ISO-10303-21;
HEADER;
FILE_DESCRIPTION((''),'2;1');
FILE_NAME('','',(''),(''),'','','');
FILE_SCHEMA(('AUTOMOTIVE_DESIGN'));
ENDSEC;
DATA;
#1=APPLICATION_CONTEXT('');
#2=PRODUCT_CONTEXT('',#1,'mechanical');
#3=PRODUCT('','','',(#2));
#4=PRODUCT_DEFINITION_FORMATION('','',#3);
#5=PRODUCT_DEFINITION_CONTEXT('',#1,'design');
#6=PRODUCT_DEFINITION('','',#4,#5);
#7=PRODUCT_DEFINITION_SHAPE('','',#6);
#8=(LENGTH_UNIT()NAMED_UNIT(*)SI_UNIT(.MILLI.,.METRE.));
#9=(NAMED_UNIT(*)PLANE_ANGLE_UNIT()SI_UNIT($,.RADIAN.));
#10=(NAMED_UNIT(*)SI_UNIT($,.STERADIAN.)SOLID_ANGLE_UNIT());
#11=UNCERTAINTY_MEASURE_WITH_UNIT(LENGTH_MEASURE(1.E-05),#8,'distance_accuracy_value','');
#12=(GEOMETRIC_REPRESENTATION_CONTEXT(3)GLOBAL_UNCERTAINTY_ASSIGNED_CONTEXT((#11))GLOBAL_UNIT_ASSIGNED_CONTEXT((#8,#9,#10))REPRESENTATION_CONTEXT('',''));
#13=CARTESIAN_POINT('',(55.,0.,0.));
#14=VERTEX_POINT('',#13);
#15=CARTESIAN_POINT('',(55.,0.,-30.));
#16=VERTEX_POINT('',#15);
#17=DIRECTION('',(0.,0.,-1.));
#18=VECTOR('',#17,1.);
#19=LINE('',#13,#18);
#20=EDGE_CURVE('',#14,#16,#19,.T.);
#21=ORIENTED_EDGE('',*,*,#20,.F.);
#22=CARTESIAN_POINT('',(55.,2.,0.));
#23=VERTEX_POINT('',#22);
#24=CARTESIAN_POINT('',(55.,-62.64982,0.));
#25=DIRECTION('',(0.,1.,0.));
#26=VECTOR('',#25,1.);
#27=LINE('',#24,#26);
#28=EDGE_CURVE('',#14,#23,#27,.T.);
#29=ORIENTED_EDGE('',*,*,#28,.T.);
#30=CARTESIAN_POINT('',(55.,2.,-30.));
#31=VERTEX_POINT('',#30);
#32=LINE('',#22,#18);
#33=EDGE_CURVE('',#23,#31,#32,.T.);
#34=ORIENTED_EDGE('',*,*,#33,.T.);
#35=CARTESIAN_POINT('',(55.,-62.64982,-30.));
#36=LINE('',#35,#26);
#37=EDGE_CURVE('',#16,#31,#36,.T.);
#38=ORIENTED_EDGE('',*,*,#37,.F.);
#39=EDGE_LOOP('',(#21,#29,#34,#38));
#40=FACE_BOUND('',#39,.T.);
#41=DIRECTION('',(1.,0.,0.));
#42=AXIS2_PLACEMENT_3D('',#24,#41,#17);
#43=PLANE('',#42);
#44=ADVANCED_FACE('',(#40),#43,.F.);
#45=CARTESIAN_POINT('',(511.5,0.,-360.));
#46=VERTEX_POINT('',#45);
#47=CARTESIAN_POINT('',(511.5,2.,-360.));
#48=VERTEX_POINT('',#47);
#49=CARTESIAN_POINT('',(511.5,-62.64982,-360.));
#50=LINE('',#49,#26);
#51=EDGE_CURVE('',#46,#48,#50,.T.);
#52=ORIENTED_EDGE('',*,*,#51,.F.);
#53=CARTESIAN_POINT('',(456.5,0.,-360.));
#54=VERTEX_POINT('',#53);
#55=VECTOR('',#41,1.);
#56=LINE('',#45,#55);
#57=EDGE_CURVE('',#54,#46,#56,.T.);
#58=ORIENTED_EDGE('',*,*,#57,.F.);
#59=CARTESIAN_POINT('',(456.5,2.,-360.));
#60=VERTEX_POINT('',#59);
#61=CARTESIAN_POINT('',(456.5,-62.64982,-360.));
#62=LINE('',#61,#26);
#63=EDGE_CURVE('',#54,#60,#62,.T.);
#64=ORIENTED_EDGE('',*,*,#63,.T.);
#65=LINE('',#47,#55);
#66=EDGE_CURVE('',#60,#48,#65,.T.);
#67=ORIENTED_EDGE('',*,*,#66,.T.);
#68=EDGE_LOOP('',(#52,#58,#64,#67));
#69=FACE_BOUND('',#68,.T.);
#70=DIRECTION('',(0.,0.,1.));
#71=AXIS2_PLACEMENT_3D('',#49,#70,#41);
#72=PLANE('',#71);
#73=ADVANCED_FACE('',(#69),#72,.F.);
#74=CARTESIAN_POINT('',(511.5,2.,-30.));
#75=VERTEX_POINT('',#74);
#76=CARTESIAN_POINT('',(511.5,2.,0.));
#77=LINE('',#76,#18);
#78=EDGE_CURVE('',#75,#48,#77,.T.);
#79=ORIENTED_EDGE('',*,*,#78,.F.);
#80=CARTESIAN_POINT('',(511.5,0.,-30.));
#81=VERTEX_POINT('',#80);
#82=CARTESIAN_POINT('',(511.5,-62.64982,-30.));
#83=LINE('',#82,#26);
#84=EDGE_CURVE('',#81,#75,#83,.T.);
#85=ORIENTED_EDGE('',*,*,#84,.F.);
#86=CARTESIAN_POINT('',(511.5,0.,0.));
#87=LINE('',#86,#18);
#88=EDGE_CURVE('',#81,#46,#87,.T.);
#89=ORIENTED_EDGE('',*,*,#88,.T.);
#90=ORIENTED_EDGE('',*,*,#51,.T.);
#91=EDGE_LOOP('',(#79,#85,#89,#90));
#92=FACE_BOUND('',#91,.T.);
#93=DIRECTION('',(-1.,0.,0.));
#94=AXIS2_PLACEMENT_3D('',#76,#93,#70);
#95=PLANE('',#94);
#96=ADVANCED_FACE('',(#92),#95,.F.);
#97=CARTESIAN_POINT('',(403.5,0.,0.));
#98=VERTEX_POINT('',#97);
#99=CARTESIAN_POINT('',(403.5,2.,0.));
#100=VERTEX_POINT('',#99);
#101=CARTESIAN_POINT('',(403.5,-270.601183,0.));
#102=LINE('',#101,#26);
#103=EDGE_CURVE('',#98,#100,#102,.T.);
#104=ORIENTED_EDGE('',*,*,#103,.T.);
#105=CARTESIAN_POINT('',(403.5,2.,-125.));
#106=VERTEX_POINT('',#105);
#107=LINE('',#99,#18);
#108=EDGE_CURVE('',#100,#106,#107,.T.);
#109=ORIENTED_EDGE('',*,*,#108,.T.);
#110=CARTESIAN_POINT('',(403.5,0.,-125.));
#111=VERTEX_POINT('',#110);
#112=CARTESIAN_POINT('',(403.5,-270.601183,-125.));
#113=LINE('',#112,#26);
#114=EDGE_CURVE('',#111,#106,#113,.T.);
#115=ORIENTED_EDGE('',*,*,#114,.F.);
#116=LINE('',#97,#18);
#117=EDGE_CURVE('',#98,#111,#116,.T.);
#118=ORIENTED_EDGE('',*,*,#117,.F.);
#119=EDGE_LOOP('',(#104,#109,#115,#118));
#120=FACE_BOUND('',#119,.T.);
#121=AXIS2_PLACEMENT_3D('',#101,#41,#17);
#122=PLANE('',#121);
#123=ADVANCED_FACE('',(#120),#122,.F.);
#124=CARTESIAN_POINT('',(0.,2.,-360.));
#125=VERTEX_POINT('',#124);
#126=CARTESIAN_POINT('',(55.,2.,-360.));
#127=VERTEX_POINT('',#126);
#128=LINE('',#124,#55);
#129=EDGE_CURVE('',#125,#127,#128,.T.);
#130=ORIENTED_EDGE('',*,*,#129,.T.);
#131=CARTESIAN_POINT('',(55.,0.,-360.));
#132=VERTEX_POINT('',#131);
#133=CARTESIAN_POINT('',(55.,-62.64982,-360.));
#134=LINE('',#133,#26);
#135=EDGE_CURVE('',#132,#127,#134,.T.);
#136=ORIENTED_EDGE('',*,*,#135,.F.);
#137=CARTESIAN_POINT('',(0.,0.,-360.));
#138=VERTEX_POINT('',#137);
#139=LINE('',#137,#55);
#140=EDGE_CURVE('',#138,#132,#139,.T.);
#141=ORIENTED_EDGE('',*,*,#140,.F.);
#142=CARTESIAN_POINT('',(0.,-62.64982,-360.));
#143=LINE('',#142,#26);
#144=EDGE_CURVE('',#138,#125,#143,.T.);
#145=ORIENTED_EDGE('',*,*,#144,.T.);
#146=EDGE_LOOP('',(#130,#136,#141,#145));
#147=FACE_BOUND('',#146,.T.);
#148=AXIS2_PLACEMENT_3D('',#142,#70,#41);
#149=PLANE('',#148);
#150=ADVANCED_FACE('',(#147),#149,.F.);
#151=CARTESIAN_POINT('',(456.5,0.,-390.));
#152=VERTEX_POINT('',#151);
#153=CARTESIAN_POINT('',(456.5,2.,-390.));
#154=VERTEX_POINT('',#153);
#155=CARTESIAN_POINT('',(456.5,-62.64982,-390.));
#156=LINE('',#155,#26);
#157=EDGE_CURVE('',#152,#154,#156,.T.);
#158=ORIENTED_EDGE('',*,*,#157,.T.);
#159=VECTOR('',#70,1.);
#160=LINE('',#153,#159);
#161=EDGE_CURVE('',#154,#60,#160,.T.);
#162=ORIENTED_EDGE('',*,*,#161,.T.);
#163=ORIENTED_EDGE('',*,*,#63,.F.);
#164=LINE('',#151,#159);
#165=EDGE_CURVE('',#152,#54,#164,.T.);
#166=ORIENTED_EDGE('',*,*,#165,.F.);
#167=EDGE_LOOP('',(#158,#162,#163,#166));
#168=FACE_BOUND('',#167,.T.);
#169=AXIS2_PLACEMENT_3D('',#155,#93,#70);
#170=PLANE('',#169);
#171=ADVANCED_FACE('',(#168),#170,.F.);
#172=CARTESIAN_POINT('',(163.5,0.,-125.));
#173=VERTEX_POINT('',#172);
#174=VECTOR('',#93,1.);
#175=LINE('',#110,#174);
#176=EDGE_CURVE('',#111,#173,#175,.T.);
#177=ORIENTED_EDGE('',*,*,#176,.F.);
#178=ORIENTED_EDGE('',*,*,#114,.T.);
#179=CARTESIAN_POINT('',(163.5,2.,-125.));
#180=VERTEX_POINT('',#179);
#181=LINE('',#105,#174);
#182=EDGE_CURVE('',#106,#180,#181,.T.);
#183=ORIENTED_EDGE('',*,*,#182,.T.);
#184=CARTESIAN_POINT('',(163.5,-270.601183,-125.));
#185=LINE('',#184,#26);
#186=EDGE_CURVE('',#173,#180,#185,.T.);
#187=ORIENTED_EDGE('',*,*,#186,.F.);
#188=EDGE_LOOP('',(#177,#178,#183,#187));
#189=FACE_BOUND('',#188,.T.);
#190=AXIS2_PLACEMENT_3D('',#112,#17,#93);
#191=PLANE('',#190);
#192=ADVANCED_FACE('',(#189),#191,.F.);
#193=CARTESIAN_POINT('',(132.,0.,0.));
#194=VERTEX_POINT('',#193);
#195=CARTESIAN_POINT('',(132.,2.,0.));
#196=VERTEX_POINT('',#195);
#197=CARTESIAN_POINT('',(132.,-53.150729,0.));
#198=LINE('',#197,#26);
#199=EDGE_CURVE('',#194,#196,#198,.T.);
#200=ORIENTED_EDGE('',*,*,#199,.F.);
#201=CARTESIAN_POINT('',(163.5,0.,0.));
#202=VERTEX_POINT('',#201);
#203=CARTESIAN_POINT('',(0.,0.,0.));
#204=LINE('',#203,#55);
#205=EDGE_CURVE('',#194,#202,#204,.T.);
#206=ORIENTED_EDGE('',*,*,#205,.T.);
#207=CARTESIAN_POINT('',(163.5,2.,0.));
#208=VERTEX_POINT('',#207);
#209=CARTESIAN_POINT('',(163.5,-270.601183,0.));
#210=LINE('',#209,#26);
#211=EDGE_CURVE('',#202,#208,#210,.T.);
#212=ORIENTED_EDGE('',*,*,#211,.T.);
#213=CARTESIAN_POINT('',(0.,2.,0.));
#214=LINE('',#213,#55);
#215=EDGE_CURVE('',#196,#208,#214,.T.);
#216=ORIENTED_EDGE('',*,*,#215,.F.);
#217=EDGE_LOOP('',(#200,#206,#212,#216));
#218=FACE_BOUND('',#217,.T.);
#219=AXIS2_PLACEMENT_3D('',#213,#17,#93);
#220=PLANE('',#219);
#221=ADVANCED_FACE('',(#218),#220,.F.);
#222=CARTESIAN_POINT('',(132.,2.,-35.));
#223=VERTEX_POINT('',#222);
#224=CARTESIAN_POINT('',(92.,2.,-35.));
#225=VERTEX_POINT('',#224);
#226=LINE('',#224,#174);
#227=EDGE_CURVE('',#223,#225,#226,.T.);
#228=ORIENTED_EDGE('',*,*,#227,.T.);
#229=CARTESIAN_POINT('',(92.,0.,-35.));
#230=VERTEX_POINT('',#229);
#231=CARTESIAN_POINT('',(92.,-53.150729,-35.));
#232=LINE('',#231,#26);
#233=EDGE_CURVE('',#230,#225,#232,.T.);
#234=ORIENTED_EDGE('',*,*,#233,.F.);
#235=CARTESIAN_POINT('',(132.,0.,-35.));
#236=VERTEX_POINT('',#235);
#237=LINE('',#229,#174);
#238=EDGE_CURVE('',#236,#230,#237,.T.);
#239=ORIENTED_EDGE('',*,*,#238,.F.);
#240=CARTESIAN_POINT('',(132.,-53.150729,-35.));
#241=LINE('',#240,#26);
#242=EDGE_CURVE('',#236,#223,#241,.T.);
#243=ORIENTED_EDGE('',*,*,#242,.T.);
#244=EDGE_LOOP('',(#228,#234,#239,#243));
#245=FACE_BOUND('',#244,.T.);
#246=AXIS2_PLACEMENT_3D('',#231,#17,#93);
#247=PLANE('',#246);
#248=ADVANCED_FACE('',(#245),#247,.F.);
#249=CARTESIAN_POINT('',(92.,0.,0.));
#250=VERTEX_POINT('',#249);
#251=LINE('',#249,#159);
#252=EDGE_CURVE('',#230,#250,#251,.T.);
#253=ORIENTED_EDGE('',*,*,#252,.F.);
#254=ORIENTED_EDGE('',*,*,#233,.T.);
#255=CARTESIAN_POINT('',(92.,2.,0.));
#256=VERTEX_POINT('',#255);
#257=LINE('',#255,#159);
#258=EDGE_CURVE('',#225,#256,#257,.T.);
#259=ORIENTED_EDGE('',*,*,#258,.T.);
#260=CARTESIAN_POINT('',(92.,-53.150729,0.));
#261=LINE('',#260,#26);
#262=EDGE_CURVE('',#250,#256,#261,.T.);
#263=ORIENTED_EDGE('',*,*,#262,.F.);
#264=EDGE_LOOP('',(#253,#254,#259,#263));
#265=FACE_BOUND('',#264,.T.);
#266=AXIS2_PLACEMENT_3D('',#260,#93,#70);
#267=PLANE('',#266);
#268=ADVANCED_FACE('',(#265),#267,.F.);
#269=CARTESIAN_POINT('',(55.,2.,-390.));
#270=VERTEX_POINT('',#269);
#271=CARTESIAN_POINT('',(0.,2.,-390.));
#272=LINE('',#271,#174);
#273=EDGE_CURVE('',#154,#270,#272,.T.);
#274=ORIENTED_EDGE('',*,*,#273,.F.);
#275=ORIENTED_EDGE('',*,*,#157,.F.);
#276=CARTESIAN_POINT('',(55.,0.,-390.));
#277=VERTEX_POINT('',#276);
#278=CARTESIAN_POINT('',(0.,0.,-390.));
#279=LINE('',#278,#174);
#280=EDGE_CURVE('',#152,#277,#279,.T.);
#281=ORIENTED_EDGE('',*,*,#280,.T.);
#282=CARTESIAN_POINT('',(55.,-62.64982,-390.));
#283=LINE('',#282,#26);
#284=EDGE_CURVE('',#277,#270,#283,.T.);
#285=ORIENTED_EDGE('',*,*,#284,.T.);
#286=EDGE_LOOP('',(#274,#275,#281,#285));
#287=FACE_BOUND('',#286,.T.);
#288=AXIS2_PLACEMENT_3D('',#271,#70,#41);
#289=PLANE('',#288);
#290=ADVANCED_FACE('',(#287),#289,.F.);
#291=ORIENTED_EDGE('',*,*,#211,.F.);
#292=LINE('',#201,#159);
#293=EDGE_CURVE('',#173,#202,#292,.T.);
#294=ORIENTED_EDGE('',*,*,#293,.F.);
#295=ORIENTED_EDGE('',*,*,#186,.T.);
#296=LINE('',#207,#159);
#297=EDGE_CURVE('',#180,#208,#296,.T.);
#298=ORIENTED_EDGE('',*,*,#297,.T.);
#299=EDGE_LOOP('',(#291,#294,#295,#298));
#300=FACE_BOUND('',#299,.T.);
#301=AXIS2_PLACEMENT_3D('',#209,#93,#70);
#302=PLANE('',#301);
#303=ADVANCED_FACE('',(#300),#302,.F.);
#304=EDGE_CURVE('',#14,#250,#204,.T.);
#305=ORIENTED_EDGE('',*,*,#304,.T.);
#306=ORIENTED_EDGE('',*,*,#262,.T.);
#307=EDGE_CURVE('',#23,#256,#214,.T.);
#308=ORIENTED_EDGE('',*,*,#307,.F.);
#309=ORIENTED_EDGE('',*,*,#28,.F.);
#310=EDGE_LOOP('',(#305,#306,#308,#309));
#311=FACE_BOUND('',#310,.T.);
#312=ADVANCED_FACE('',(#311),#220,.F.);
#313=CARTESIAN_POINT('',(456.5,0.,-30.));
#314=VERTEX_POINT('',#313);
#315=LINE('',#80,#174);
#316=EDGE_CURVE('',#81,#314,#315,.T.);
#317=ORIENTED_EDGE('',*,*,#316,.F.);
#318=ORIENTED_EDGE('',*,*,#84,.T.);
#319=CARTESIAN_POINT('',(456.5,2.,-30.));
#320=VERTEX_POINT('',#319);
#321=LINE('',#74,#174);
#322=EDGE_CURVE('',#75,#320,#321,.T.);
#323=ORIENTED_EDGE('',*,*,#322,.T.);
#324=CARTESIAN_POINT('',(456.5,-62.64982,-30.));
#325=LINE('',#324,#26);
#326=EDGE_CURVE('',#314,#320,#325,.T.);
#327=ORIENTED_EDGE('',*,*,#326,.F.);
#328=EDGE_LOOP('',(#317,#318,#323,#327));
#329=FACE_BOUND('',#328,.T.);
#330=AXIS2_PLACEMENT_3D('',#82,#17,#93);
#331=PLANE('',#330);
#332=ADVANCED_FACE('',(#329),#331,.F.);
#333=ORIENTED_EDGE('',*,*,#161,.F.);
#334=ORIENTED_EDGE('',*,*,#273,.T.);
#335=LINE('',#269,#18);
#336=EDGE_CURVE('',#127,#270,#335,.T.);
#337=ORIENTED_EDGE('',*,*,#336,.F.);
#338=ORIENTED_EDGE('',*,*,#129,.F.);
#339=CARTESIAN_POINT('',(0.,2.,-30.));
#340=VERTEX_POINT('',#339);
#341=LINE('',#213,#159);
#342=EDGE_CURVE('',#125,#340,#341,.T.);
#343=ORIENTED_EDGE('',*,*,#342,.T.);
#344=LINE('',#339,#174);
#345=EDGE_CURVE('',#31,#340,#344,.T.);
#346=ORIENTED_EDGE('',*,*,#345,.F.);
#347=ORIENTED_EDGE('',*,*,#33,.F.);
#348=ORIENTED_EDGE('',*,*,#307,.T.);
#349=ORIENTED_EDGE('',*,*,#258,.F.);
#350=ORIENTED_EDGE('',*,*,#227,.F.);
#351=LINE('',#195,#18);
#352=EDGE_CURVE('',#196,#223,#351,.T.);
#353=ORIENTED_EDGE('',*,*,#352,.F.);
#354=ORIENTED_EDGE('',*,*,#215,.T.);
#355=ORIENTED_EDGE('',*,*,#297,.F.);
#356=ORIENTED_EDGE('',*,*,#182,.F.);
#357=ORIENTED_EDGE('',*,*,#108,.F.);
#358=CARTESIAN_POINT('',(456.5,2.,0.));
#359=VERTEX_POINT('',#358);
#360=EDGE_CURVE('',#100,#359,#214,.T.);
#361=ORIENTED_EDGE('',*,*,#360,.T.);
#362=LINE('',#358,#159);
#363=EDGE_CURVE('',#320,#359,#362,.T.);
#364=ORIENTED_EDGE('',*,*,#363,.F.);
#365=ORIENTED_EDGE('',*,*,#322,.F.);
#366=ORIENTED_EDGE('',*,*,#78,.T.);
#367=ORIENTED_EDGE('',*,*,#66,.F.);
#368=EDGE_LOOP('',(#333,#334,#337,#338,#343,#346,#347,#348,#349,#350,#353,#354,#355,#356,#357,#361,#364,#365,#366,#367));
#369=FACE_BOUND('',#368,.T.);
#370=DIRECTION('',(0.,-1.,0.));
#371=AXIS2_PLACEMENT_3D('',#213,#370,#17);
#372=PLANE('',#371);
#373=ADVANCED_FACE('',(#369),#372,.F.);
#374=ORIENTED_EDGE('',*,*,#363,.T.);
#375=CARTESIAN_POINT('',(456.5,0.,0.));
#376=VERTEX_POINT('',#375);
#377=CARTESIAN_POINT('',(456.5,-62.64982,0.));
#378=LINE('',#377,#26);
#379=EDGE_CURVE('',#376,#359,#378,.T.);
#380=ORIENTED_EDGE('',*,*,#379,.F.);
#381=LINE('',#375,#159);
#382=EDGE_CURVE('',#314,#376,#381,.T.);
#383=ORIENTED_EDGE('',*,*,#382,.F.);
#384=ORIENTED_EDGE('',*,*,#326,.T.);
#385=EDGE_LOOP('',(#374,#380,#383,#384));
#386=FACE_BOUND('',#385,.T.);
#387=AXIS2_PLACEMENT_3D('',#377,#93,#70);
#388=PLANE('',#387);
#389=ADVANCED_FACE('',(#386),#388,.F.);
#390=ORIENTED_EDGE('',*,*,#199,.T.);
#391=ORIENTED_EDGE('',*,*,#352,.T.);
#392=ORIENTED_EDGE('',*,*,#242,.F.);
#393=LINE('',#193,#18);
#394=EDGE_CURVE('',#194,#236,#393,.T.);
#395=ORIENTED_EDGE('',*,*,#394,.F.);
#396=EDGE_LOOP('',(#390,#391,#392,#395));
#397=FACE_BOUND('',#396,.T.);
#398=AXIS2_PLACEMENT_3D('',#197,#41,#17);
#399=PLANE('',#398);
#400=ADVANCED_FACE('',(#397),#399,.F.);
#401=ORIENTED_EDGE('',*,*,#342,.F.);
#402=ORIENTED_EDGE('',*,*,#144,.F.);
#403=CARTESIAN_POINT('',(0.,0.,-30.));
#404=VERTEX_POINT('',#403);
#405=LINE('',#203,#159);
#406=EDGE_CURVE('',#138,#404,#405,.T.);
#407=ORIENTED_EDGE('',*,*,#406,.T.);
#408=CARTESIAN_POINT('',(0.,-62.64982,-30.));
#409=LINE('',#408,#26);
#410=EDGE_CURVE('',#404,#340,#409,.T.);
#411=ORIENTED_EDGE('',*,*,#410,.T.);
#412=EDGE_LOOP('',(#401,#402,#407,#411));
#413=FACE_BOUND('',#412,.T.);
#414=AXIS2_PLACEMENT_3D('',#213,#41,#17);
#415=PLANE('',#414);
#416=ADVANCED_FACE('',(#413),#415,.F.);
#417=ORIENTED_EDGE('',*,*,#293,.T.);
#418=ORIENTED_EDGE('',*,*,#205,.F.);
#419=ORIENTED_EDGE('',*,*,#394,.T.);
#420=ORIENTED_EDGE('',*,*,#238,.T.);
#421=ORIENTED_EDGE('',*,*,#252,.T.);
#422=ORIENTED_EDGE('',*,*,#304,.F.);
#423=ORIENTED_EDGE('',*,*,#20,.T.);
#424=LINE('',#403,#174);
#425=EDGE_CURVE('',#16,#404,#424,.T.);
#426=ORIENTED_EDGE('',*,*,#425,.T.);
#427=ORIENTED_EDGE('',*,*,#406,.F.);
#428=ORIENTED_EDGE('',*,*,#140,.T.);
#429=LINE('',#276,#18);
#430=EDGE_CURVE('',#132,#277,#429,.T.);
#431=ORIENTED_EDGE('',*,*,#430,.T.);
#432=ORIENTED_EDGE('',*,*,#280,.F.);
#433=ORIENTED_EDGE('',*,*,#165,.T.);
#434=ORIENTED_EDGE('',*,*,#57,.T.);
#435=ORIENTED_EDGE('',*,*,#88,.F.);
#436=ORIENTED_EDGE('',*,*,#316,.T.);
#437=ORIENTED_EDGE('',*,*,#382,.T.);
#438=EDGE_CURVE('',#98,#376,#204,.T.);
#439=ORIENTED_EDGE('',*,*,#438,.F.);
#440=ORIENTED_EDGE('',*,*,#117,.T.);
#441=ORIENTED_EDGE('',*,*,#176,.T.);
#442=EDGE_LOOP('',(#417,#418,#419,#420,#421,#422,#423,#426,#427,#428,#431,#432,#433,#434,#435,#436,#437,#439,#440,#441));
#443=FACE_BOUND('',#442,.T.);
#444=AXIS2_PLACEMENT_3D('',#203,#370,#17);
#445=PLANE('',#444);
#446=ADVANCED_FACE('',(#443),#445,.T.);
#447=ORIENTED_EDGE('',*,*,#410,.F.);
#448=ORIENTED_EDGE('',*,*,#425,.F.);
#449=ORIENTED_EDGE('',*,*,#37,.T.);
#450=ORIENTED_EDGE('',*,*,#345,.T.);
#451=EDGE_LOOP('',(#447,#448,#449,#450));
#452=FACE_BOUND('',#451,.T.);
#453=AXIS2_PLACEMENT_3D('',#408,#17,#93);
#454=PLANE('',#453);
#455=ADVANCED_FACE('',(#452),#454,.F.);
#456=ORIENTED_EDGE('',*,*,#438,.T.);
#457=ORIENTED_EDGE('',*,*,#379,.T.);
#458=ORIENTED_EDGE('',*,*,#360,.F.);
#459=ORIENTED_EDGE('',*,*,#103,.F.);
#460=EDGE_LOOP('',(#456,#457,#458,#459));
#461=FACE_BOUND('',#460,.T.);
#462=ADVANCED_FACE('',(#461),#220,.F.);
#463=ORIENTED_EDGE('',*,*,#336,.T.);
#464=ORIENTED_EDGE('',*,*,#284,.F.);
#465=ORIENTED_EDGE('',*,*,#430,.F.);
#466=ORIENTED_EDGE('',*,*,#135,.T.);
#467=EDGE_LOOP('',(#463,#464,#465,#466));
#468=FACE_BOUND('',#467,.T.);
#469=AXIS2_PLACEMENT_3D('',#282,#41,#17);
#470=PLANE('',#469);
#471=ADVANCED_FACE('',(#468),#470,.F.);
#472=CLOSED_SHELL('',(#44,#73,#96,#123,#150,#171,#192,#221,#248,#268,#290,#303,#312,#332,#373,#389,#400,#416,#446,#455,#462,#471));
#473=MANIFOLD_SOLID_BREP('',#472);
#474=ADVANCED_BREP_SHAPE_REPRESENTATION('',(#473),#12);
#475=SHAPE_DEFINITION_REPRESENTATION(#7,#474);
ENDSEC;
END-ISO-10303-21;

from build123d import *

# Parameters (mm, degrees)
CROQUIS1_W              = 511.5
CROQUIS1_H              = 390
SALIENTE_EXTRUIR1_DEPTH = 2
CROQUIS3_W              = 55
CROQUIS3_H              = 30
CORTAR_EXTRUIR1_DEPTH   = 2
CROQUIS4_W              = 240
CROQUIS4_H              = 125
CORTAR_EXTRUIR2_DEPTH   = 2
CROQUIS5_W              = 40
CROQUIS5_H              = 35
CORTAR_EXTRUIR3_DEPTH   = 2


with BuildPart() as part:
    # Croquis1 → Saliente-Extruir1 (new body)
    with BuildSketch(Plane(origin=(0, 0, 0), x_dir=(1, 0, 0), z_dir=(0, 1, 0))):
        with Locations((255.75, 195)):
            Rectangle(CROQUIS1_W, CROQUIS1_H)
    extrude(amount=SALIENTE_EXTRUIR1_DEPTH)

    # Croquis3 → Cortar-Extruir1 (cut)
    with BuildSketch(Plane(origin=(0, 2, 0), x_dir=(1, 0, 0), z_dir=(0, 1, 0))):
        with Locations((484, 15)):
            Rectangle(CROQUIS3_W, CROQUIS3_H)
        with Locations((27.5, 15)):
            Rectangle(CROQUIS3_W, CROQUIS3_H)
        with Locations((484, 375)):
            Rectangle(CROQUIS3_W, CROQUIS3_H)
        with Locations((27.5, 375)):
            Rectangle(CROQUIS3_W, CROQUIS3_H)
    extrude(amount=-CORTAR_EXTRUIR1_DEPTH, mode=Mode.SUBTRACT)

    # Croquis4 → Cortar-Extruir2 (cut)
    with BuildSketch(Plane(origin=(0, 2, 0), x_dir=(1, 0, 0), z_dir=(0, 1, 0))):
        with Locations((283.5, 62.5)):
            Rectangle(CROQUIS4_W, CROQUIS4_H)
    extrude(amount=-CORTAR_EXTRUIR2_DEPTH, mode=Mode.SUBTRACT)

    # Croquis5 → Cortar-Extruir3 (cut)
    with BuildSketch(Plane(origin=(0, 2, 0), x_dir=(1, 0, 0), z_dir=(0, 1, 0))):
        with Locations((112, 17.5)):
            Rectangle(CROQUIS5_W, CROQUIS5_H)
    extrude(amount=-CORTAR_EXTRUIR3_DEPTH, mode=Mode.SUBTRACT)


solid = part.part
